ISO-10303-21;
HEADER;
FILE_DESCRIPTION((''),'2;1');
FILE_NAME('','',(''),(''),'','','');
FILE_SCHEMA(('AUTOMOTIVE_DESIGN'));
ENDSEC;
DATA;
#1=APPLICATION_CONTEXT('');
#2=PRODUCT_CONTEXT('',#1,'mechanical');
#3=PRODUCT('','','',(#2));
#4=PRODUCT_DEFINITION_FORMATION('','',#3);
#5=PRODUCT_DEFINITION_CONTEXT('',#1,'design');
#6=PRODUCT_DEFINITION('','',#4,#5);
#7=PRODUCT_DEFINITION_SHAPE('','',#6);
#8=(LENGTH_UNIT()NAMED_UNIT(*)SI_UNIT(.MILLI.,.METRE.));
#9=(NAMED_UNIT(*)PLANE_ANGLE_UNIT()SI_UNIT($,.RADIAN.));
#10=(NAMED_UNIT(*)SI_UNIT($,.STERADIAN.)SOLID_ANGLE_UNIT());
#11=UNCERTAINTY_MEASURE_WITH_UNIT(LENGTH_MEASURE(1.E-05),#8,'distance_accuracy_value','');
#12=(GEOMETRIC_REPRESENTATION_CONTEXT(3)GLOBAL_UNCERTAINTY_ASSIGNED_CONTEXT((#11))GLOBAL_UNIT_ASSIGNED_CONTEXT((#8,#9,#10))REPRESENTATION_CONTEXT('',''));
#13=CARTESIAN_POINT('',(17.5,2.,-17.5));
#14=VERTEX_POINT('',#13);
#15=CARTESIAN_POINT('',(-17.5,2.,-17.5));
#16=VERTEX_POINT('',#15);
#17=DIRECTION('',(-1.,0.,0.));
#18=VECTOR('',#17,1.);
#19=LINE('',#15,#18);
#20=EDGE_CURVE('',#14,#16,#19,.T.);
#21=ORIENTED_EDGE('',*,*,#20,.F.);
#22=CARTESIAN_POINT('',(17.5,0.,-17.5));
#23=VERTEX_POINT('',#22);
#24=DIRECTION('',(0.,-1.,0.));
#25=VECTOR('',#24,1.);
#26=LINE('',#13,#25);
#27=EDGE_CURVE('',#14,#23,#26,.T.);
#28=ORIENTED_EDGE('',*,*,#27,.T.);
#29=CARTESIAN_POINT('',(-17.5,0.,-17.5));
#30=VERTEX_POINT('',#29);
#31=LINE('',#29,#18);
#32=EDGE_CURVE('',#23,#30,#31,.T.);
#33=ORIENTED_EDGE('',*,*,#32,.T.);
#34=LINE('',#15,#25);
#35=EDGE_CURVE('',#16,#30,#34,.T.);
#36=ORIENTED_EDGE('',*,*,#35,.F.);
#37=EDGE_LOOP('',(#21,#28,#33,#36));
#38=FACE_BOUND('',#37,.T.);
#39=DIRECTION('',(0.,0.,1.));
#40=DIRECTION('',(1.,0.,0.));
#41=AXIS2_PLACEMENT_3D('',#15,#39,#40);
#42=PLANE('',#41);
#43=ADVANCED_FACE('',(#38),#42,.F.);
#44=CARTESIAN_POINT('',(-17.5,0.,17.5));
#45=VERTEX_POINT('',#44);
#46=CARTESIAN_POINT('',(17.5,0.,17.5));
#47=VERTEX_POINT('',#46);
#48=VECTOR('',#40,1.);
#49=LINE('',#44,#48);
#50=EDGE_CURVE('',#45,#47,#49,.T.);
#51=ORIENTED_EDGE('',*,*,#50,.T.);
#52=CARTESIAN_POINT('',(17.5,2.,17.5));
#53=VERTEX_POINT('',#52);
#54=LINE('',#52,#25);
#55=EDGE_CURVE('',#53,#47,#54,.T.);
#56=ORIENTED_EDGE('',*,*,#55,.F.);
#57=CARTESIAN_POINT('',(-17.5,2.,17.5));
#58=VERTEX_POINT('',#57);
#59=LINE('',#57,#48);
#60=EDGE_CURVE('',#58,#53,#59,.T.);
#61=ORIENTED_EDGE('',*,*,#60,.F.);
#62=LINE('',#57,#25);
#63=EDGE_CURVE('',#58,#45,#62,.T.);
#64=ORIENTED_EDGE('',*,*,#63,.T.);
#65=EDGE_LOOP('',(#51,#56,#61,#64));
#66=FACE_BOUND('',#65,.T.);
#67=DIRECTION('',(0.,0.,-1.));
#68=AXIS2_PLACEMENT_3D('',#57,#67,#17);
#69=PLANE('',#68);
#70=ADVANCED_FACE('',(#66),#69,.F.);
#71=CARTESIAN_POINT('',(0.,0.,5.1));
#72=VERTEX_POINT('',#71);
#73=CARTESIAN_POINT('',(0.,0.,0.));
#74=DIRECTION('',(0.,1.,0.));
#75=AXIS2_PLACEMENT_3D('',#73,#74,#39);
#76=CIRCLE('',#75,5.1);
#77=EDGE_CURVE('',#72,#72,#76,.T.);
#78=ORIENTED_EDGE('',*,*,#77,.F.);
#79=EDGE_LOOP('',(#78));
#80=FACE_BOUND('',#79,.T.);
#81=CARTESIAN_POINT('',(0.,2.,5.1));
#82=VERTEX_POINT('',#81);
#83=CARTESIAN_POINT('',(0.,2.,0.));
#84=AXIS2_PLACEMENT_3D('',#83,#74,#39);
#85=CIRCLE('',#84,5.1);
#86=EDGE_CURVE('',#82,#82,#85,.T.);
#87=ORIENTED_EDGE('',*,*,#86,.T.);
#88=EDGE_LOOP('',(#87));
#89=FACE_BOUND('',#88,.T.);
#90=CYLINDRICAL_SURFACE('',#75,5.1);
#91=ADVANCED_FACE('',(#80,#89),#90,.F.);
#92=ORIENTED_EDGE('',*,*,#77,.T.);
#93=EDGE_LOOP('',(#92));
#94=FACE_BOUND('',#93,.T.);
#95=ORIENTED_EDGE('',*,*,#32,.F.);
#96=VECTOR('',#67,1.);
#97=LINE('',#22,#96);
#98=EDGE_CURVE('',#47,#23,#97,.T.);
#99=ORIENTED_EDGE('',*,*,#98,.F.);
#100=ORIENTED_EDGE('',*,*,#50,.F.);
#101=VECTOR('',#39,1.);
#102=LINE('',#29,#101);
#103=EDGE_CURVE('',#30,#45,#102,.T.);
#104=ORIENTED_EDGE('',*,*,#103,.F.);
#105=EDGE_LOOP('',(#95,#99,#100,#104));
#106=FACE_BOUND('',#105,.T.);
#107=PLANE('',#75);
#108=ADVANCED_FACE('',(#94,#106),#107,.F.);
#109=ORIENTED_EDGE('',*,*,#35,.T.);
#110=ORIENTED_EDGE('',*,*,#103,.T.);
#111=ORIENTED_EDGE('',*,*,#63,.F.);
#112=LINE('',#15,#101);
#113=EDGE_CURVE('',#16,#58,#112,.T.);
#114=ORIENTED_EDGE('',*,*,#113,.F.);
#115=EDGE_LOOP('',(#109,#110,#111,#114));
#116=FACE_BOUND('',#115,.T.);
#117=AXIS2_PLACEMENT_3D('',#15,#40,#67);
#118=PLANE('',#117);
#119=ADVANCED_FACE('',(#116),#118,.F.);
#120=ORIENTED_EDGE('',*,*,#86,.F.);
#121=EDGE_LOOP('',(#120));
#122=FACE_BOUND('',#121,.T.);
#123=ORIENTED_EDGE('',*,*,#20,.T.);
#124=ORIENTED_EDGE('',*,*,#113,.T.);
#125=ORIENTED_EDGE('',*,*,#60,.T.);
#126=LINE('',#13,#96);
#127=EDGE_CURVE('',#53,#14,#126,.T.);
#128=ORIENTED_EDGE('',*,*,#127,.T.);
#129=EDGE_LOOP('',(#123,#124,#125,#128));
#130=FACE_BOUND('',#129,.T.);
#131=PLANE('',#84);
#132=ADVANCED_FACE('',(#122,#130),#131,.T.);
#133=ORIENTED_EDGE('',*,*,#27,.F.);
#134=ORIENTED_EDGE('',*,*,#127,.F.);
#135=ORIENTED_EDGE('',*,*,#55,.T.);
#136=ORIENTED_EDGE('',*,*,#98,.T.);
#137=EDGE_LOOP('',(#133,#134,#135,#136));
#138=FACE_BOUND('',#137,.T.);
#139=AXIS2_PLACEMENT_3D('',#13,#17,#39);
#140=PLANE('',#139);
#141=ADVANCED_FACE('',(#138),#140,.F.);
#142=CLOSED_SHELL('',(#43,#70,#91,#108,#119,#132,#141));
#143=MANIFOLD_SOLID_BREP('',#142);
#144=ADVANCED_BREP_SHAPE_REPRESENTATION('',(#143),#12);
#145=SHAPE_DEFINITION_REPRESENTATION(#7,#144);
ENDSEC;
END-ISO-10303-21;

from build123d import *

# Parameters (mm, degrees)
SKETCH1_W           = 35
SKETCH1_H           = 35
BOSS_EXTRUDE1_DEPTH = 2
SKETCH2_R           = 5.1
CUT_EXTRUDE1_DEPTH  = 2


with BuildPart() as part:
    # Sketch1 → Boss-Extrude1 (new body)
    with BuildSketch(Plane(origin=(0, 0, 0), x_dir=(1, 0, 0), z_dir=(0, 1, 0))):
        Rectangle(SKETCH1_W, SKETCH1_H)
    extrude(amount=BOSS_EXTRUDE1_DEPTH)

    # Sketch2 → Cut-Extrude1 (cut)
    with BuildSketch(Plane(origin=(0, 2, 0), x_dir=(1, 0, 0), z_dir=(0, 1, 0))):
        Circle(SKETCH2_R)
    extrude(amount=-CUT_EXTRUDE1_DEPTH, mode=Mode.SUBTRACT)


solid = part.part
